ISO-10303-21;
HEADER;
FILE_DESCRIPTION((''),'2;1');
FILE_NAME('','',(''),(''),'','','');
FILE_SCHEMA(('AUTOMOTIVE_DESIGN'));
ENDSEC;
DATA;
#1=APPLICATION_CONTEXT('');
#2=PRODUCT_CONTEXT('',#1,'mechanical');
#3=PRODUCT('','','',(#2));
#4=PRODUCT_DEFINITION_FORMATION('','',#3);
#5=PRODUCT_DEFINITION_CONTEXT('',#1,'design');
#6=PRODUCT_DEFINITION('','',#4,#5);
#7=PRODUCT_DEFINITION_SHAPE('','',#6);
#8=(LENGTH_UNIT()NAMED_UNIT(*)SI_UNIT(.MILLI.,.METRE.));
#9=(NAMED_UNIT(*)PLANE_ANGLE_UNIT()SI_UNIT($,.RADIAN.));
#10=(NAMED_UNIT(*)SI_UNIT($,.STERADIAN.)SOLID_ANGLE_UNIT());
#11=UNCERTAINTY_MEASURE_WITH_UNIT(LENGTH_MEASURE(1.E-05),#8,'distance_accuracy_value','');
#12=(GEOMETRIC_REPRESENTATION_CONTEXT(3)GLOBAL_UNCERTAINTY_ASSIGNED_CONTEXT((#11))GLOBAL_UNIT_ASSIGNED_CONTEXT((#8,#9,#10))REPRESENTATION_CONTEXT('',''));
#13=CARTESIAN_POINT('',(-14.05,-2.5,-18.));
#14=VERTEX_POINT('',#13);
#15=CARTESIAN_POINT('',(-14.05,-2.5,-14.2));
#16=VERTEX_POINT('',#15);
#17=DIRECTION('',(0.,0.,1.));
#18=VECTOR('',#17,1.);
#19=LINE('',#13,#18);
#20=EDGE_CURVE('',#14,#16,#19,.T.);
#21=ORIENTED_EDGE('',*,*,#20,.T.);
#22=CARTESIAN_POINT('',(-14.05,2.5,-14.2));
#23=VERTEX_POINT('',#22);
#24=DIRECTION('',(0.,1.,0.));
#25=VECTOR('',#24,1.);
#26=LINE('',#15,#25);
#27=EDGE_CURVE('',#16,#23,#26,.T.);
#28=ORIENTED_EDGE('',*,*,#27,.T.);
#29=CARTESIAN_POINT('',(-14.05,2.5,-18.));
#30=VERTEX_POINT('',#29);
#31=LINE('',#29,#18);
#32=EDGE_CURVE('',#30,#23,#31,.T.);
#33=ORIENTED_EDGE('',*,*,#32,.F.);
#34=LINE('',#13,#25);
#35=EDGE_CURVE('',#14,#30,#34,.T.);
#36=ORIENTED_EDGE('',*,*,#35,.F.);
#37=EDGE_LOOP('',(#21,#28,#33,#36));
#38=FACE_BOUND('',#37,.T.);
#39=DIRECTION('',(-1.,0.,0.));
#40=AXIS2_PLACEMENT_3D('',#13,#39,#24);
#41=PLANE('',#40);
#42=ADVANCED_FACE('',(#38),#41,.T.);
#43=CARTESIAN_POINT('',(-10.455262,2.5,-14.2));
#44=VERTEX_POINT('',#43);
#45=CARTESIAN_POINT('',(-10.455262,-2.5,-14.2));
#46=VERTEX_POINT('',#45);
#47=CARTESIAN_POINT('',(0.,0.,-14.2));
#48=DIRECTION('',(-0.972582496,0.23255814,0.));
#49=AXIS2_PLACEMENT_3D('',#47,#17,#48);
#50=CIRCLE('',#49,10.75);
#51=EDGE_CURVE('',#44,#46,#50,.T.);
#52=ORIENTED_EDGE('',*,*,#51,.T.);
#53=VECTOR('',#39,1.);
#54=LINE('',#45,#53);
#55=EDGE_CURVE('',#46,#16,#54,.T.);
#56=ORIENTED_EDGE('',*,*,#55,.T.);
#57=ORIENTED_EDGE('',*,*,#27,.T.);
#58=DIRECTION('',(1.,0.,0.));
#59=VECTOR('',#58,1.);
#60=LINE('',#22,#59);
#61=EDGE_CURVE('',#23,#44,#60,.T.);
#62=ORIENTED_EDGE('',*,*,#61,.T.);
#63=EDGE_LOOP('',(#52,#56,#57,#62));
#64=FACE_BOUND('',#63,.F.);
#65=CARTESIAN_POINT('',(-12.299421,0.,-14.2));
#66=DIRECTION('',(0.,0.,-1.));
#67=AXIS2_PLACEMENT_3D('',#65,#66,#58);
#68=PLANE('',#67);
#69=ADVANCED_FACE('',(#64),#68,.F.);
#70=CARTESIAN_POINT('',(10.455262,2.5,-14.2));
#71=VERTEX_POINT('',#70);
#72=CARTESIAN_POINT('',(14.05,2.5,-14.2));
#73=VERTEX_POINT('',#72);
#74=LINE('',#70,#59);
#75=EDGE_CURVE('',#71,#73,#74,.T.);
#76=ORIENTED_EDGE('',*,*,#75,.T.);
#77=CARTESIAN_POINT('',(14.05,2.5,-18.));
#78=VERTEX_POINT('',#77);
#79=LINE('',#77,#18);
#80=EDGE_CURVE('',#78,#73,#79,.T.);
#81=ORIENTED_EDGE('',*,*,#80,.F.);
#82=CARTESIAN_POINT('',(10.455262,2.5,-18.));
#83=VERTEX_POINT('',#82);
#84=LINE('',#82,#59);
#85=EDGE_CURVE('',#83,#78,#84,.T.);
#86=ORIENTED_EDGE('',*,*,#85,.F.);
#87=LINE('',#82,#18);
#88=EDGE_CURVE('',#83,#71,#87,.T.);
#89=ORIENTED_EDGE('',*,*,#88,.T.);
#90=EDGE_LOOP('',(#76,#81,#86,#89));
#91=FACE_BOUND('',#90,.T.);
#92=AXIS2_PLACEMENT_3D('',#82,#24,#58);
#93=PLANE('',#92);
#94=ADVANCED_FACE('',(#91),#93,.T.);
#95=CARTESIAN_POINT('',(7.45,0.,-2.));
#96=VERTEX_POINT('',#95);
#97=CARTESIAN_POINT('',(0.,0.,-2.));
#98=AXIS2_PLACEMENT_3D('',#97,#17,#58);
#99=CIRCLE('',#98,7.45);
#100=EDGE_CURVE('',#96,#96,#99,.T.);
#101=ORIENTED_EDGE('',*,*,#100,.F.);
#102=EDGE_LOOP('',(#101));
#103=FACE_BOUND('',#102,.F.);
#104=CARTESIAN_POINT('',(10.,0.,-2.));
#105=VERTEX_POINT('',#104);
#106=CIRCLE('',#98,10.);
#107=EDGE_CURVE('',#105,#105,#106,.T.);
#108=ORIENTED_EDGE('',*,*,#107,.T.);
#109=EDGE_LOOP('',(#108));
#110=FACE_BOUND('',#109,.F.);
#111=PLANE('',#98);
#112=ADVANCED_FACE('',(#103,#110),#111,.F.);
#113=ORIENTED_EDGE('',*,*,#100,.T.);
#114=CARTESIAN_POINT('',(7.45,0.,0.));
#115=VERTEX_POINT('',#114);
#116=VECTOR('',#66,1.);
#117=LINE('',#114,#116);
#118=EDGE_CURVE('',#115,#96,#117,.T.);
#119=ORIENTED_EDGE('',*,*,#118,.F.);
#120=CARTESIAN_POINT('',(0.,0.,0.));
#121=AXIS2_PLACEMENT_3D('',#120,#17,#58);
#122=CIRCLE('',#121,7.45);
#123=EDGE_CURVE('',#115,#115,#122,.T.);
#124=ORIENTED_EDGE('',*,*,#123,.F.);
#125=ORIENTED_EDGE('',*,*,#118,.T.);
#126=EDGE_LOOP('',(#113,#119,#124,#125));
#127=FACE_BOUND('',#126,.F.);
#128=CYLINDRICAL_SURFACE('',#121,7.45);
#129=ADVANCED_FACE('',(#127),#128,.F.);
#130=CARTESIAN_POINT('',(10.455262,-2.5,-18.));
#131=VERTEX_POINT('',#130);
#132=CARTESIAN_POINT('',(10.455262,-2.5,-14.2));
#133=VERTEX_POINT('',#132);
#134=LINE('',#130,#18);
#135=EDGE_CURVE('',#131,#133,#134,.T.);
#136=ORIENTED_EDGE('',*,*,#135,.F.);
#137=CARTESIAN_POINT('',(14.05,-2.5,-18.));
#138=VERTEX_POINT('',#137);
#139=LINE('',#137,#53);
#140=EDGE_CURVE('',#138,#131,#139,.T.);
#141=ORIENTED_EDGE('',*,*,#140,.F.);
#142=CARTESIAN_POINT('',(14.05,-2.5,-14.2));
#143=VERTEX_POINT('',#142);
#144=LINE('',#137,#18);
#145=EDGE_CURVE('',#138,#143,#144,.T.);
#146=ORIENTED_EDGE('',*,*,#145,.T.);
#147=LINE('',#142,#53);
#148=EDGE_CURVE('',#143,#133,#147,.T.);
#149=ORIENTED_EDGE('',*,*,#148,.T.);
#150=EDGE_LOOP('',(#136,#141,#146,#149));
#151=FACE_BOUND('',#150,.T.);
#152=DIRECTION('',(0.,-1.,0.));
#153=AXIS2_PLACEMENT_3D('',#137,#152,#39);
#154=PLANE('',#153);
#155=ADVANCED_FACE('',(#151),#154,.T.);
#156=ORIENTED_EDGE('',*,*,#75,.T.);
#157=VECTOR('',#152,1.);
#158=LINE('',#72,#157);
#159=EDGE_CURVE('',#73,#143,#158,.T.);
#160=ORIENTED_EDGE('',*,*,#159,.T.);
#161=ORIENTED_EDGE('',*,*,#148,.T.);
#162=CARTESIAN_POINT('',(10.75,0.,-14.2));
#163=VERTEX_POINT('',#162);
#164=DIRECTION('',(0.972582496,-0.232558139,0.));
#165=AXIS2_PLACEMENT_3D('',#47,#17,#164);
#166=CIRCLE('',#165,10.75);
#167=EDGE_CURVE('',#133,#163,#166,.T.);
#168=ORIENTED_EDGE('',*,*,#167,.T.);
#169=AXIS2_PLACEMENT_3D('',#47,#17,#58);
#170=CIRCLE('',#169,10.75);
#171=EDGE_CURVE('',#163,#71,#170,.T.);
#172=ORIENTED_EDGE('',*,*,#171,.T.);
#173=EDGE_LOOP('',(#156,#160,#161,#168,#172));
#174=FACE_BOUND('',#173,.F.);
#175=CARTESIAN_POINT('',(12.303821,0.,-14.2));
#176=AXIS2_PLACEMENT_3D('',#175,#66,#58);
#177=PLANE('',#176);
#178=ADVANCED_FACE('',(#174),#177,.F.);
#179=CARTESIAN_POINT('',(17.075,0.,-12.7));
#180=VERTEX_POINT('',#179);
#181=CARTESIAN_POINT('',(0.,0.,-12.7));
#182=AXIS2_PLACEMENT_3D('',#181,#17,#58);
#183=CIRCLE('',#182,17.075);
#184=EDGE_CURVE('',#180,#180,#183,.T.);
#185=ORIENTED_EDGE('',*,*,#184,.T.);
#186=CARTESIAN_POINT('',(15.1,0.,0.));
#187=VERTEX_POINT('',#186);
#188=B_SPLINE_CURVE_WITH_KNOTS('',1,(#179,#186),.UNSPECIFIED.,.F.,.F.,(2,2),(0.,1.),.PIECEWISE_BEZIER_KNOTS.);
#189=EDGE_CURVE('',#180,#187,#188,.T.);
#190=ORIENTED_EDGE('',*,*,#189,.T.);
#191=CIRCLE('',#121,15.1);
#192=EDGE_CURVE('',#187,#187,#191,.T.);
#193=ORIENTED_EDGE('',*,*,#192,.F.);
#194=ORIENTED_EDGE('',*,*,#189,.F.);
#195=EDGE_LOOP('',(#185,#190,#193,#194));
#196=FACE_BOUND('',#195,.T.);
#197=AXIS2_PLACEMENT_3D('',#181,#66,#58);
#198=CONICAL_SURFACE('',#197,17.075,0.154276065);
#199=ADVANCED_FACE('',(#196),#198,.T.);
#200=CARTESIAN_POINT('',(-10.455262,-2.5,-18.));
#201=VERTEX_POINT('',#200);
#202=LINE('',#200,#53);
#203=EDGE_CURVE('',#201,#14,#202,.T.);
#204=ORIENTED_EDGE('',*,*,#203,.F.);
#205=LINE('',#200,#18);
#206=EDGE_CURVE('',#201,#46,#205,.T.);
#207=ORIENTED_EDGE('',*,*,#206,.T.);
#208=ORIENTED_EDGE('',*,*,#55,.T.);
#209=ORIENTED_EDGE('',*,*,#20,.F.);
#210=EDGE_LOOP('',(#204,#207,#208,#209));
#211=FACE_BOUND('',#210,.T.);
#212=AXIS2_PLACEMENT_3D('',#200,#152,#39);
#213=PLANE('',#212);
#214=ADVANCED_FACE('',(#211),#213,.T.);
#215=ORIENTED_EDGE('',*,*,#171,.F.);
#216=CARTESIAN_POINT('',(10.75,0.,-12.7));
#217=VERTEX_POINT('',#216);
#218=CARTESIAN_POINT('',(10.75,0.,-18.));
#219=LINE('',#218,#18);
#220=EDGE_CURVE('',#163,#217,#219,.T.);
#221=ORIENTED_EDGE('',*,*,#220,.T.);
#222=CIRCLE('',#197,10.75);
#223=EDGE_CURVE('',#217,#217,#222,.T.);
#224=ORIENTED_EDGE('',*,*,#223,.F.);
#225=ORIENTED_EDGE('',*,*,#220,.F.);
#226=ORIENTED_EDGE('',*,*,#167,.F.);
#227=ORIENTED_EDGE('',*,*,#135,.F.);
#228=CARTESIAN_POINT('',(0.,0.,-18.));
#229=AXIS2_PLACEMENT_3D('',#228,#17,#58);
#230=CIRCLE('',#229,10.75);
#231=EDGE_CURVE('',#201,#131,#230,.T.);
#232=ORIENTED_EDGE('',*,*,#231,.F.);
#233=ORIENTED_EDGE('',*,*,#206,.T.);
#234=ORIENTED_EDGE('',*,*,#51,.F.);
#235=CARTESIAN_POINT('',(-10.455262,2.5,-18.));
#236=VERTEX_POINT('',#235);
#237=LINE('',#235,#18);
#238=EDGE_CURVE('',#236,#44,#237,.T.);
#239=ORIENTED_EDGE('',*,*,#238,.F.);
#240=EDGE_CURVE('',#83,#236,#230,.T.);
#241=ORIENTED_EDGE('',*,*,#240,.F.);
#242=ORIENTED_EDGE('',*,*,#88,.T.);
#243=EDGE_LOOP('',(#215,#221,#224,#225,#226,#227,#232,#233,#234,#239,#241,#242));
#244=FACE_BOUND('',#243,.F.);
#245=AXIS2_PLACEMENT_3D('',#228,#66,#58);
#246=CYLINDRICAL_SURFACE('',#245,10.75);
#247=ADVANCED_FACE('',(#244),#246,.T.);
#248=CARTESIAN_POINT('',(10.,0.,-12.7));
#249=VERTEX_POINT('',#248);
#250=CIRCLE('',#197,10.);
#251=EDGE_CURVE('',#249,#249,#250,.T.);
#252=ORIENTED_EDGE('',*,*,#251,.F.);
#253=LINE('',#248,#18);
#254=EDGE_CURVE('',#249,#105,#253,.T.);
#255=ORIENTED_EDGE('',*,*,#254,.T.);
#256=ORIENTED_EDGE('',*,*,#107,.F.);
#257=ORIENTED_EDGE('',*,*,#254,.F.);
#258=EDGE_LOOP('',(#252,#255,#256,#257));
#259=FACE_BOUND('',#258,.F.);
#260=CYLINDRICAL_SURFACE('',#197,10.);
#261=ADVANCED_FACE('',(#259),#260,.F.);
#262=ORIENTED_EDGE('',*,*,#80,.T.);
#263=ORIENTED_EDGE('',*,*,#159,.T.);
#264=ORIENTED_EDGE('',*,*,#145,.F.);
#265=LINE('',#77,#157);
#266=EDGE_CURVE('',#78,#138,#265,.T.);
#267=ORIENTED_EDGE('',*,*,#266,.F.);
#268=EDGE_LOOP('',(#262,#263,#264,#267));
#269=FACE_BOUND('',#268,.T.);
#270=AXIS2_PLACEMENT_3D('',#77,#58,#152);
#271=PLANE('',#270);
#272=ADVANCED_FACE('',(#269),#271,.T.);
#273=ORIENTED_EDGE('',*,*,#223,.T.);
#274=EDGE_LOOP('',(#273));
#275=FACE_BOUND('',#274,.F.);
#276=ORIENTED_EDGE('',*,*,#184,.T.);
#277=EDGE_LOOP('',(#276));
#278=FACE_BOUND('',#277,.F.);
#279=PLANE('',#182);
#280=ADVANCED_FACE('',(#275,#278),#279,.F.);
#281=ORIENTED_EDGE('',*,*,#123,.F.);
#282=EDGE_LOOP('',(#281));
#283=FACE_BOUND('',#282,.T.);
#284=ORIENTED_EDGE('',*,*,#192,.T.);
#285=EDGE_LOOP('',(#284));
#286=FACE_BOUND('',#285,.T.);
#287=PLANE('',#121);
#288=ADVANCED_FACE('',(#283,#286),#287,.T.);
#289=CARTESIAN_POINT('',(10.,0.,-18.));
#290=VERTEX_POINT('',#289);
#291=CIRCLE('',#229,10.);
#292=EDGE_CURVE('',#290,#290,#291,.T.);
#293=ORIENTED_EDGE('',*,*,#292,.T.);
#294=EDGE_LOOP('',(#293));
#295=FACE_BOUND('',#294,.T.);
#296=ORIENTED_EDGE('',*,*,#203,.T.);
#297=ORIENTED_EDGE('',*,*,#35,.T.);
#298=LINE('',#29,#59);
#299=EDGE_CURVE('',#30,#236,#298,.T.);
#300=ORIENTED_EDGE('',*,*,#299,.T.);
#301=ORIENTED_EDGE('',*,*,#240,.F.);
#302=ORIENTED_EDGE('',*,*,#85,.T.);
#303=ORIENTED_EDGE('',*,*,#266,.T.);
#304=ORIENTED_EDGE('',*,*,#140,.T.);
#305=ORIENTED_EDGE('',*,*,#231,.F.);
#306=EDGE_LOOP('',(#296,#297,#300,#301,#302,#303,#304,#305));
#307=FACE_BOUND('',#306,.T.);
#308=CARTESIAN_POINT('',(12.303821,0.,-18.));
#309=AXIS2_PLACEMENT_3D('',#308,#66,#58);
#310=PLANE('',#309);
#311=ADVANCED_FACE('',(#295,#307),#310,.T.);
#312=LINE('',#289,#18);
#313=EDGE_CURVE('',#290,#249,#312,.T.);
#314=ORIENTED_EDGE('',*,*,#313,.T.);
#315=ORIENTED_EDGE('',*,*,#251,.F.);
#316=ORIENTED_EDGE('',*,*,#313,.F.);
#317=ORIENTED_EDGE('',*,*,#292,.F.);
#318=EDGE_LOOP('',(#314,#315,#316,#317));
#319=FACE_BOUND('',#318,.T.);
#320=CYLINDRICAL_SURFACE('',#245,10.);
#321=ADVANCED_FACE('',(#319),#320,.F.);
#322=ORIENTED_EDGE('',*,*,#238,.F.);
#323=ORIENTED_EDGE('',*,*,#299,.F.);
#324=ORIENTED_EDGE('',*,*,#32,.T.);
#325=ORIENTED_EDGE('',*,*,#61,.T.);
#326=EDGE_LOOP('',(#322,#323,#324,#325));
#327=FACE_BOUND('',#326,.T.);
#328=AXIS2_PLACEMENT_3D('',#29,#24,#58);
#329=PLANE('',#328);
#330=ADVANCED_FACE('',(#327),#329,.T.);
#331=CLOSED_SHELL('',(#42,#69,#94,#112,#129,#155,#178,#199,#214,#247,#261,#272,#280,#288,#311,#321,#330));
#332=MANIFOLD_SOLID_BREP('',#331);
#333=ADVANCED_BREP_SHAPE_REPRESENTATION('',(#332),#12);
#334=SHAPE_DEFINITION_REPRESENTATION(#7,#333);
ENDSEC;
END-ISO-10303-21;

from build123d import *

# Parameters (mm, degrees)
F2_R      = 17.075
F0_R      = 15.1
F5_R      = 10.75
F5_R_2    = 10
F6_DEPTH  = 18
F7_DEPTH  = 18
F8_R      = 10
F8_R_2    = 7.45
F9_DEPTH  = 2
F11_DEPTH = 3.8


with BuildPart() as f3:
    # F2 (on offset) → F3 section 0
    with BuildSketch(Plane.XY.offset(-12.7)):
        Circle(F2_R)
    # F0 (on Top) → F3 section 1
    with BuildSketch(Plane.XY):
        Circle(F0_R)
    loft()

    # F5 (on offset) → F6 (join)
    with BuildSketch(Plane.XY.offset(-18)):
        Circle(F5_R)
        Circle(F5_R_2, mode=Mode.SUBTRACT)
    extrude(amount=F6_DEPTH)

    # F7 (cut): a face of the model
    f7_faces = [f3.faces().sort_by_distance(p)[0] for p in [
        (0, 0, -12.7),
    ]]
    extrude(f7_faces, amount=-F7_DEPTH, mode=Mode.SUBTRACT)

    # F8 (on Top) → F9 (join)
    with BuildSketch(Plane.XY):
        Circle(F8_R)
        Circle(F8_R_2, mode=Mode.SUBTRACT)
    extrude(amount=-F9_DEPTH)

    # F10 (on face) → F11 (join)
    with BuildSketch(Plane(origin=(0, 0, -18), x_dir=(1, 0, 0), z_dir=(0, 0, -1))):
        with BuildLine():
            Line((-14.05, 2.5), (-14.05, 0))
            Line((-14.05, 0), (-14.05, -2.5))
            Line((-14.05, -2.5), (-10.4552618332, -2.5))
            ThreePointArc((-10.4552618332, -2.5), (-10.75, 0), (-10.4552618332, 2.5))
            Line((-10.4552618332, 2.5), (-14.05, 2.5))
        make_face()
        with BuildLine():
            Line((14.05, 2.5), (10.4552618332, 2.5))
            ThreePointArc((10.4552618332, 2.5), (10.6760611816, 1.2586570807), (10.75, 0))
            ThreePointArc((10.75, 0), (10.6760611816, -1.2586570807), (10.4552618332, -2.5))
            Line((10.4552618332, -2.5), (14.05, -2.5))
            Line((14.05, -2.5), (14.05, 0))
            Line((14.05, 0), (14.05, 2.5))
        make_face()
    extrude(amount=-F11_DEPTH)


solid = f3.part
